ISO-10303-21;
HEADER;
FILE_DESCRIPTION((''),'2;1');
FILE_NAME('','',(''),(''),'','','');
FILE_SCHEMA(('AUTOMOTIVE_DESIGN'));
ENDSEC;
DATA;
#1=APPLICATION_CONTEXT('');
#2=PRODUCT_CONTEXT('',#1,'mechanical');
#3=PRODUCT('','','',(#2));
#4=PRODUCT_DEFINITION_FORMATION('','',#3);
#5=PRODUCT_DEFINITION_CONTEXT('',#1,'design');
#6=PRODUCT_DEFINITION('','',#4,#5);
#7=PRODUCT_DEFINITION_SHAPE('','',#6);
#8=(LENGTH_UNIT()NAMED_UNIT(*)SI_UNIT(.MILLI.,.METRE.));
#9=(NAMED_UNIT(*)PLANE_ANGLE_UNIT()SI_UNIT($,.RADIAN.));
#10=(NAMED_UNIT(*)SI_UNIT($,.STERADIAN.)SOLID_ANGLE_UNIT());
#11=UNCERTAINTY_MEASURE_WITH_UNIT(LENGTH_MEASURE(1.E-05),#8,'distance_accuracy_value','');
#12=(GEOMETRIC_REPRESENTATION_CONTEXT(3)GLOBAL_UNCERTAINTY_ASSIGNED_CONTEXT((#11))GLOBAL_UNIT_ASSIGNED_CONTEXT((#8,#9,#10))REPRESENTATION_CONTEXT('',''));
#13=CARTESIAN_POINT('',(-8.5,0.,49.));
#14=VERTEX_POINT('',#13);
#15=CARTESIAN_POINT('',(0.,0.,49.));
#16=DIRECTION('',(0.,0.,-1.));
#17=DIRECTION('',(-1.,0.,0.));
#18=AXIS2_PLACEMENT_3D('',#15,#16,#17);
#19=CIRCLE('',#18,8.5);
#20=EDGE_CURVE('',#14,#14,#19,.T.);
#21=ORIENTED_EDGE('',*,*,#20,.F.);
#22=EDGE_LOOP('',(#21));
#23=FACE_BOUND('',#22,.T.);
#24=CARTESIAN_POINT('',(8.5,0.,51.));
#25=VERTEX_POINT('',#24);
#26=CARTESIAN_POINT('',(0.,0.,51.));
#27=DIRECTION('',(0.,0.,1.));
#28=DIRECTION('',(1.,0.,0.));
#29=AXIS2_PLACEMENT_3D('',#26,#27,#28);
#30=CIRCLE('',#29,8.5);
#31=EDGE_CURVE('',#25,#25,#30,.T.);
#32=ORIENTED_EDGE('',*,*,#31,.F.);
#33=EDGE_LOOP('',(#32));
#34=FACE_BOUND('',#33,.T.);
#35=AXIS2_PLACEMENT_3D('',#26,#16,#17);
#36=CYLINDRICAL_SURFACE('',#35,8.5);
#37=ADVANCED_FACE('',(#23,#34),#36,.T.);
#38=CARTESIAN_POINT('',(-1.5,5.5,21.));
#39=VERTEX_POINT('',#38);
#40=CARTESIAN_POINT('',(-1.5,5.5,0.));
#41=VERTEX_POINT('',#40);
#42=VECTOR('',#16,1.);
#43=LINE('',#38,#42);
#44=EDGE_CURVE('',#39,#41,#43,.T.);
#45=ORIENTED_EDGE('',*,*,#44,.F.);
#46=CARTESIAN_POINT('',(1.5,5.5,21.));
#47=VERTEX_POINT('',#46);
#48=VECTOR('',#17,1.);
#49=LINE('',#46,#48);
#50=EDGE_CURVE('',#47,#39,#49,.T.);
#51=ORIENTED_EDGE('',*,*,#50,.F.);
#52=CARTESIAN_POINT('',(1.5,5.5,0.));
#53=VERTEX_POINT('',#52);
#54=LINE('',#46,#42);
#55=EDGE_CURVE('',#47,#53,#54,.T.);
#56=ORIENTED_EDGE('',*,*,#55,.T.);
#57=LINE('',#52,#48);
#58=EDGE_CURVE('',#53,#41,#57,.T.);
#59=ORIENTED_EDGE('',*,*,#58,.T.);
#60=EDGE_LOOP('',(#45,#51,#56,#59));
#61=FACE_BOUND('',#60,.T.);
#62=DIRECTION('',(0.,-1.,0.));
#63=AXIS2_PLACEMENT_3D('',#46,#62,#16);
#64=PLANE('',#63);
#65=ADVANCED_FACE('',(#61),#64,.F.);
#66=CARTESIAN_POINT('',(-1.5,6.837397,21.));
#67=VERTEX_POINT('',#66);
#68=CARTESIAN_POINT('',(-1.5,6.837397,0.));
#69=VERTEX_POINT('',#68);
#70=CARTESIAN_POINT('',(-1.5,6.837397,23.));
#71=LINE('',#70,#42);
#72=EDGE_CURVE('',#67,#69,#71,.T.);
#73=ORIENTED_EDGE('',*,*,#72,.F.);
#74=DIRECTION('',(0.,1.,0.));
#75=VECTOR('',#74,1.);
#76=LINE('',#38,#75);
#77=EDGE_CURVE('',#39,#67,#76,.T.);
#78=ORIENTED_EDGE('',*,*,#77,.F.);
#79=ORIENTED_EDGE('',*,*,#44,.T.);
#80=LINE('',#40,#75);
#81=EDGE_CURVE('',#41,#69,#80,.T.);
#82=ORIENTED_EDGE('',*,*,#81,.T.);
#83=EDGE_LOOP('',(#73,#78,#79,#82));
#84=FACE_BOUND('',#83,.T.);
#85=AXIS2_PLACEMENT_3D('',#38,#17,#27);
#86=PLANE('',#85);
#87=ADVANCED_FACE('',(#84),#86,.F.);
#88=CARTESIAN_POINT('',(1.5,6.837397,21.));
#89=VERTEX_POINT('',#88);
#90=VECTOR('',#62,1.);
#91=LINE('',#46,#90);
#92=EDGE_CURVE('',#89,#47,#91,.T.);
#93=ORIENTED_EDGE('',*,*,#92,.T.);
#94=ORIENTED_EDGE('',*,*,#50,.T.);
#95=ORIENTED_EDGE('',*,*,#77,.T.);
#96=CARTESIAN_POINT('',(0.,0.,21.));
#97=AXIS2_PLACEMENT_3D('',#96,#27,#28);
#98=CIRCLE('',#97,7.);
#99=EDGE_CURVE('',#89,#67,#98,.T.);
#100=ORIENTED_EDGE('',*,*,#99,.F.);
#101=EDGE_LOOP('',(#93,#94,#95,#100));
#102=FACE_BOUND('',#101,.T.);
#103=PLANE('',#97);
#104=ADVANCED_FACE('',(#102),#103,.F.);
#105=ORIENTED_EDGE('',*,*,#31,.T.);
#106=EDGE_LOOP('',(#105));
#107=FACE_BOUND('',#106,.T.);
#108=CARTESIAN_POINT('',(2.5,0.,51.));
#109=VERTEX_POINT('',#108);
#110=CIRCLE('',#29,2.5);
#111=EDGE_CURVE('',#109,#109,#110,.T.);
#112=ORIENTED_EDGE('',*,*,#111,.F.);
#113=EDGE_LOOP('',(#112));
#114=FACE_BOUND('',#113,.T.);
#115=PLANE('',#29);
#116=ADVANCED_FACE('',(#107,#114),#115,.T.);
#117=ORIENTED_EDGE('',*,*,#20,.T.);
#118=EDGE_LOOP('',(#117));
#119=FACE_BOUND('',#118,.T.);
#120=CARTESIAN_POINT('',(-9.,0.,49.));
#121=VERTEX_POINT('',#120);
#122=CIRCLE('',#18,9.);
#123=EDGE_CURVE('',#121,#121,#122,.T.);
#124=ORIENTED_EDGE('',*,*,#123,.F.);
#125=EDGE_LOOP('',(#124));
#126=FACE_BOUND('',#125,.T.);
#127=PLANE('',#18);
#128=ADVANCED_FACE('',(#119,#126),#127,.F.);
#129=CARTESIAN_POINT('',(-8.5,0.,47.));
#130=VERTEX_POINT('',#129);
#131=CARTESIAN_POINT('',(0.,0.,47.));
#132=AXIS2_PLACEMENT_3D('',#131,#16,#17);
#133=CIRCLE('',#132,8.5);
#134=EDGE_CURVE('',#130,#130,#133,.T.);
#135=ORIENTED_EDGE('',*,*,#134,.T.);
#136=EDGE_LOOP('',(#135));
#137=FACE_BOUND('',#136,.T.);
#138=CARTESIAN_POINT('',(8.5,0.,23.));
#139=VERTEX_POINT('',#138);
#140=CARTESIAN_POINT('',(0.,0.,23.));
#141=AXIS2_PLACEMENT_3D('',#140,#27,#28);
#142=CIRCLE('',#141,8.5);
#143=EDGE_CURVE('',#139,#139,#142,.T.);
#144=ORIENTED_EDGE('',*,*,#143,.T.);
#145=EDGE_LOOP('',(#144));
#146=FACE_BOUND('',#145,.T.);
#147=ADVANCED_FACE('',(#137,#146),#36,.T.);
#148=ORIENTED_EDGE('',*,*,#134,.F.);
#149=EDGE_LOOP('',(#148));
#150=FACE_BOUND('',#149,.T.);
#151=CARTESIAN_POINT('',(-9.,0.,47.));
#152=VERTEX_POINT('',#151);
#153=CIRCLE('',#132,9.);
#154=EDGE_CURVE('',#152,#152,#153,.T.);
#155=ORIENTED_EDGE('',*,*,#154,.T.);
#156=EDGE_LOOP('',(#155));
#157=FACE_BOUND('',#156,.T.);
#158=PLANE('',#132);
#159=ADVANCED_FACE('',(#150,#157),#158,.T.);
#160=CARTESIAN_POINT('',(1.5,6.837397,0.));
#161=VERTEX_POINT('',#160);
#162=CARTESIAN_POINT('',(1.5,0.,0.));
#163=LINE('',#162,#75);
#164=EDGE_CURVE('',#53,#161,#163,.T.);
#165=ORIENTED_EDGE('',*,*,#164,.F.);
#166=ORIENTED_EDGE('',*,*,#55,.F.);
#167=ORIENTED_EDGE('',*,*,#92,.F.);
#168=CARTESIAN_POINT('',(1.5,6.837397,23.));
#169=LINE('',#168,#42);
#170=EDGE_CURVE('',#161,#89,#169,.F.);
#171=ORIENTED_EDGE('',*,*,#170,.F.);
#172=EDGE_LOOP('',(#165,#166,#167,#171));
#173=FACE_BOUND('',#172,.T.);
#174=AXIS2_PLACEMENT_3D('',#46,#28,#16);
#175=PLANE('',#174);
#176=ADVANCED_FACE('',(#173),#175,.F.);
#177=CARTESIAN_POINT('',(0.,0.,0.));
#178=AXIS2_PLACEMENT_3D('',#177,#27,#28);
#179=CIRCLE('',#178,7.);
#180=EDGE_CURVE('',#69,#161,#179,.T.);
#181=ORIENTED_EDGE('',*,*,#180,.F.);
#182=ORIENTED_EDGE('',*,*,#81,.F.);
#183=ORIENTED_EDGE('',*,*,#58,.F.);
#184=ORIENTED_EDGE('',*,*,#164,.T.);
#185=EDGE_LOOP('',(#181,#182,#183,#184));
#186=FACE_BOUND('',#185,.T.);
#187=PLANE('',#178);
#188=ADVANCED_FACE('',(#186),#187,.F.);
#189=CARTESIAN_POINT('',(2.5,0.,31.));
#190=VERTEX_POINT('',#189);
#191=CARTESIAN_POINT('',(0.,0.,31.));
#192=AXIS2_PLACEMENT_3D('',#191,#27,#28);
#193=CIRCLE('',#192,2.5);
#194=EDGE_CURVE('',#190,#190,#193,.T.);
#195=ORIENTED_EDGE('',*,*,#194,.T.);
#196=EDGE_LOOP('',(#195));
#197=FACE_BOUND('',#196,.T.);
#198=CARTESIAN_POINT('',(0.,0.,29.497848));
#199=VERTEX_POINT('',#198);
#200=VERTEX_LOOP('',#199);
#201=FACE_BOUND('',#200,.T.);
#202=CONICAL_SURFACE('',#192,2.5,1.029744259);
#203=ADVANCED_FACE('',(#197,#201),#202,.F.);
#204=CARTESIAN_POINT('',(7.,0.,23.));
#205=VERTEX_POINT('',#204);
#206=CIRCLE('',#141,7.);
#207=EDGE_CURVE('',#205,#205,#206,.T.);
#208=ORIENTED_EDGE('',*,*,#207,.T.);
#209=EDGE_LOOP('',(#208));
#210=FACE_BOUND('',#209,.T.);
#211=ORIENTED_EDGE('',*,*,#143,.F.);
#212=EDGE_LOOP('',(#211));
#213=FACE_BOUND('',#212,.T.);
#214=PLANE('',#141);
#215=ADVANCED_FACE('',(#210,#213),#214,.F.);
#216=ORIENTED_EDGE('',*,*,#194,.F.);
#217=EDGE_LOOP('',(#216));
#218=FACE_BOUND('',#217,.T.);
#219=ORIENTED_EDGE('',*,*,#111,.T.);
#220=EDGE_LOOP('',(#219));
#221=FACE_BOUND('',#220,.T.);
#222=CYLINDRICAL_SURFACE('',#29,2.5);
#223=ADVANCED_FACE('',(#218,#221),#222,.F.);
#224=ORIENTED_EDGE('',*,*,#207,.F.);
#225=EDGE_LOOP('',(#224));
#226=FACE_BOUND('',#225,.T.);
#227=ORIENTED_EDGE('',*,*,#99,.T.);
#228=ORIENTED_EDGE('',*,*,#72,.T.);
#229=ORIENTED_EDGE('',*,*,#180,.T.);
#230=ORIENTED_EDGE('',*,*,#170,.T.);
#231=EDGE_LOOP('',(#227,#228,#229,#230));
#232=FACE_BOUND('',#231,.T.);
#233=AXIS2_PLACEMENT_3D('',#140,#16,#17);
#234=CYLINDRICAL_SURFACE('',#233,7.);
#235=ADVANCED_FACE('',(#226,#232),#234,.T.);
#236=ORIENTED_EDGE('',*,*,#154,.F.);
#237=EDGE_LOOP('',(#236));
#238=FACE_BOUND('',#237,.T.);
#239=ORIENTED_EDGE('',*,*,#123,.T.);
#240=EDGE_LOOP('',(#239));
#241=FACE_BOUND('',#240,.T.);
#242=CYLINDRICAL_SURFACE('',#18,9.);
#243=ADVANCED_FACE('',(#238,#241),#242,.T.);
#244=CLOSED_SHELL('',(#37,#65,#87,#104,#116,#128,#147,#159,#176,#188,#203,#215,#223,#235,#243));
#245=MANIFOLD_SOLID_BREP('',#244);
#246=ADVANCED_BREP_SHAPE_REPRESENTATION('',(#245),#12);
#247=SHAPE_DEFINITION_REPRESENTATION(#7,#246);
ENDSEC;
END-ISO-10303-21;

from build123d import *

# Parameters (mm, degrees)
SKETCH1_R                 = 7
BOSS_EXTRUDE1_DEPTH       = 23
SKETCH3_W                 = 3
SKETCH3_H                 = 3
CUT_EXTRUDE1_DEPTH        = 21
SKETCH6_R                 = 8.5
BOSS_EXTRUDE2_DEPTH       = 28
SKETCH7_R                 = 9
BOSS_EXTRUDE3_DEPTH       = 2
M6X1_0_TAPPED_HOLE1_D     = 5
M6X1_0_TAPPED_HOLE1_DEPTH = 20
M6X1_0_TAPPED_HOLE1_TIP   = 1.502151548


with BuildPart() as part:
    # Sketch1 → Boss-Extrude1 (new body)
    with BuildSketch(Plane.XY):
        Circle(SKETCH1_R)
    extrude(amount=BOSS_EXTRUDE1_DEPTH)

    # Sketch3 → Cut-Extrude1 (cut)
    with BuildSketch(Plane(origin=(0, 0, 0), x_dir=(-1, 0, 0), z_dir=(0, 0, -1))):
        with Locations((0, 7)):
            Rectangle(SKETCH3_W, SKETCH3_H)
    extrude(amount=-CUT_EXTRUDE1_DEPTH, mode=Mode.SUBTRACT)

    # Sketch6 → Boss-Extrude2 (add)
    with BuildSketch(Plane.XY.offset(23)):
        Circle(SKETCH6_R)
    extrude(amount=BOSS_EXTRUDE2_DEPTH)

    # Sketch7 → Boss-Extrude3 (add)
    with BuildSketch(Plane(origin=(0, 0, 47), x_dir=(-1, 0, 0), z_dir=(0, 0, -1))):
        Circle(SKETCH7_R)
    extrude(amount=-BOSS_EXTRUDE3_DEPTH)

    # M6x1.0 Tapped Hole1
    with Locations(Plane.XY.offset(51)):
        with Locations((0, 0)):
            Hole(M6X1_0_TAPPED_HOLE1_D / 2, depth=M6X1_0_TAPPED_HOLE1_DEPTH)
            with Locations((0, 0, -(M6X1_0_TAPPED_HOLE1_DEPTH + M6X1_0_TAPPED_HOLE1_TIP / 2))):  # 118° drill point
                Cone(0, M6X1_0_TAPPED_HOLE1_D / 2, M6X1_0_TAPPED_HOLE1_TIP, mode=Mode.SUBTRACT)


solid = part.part
